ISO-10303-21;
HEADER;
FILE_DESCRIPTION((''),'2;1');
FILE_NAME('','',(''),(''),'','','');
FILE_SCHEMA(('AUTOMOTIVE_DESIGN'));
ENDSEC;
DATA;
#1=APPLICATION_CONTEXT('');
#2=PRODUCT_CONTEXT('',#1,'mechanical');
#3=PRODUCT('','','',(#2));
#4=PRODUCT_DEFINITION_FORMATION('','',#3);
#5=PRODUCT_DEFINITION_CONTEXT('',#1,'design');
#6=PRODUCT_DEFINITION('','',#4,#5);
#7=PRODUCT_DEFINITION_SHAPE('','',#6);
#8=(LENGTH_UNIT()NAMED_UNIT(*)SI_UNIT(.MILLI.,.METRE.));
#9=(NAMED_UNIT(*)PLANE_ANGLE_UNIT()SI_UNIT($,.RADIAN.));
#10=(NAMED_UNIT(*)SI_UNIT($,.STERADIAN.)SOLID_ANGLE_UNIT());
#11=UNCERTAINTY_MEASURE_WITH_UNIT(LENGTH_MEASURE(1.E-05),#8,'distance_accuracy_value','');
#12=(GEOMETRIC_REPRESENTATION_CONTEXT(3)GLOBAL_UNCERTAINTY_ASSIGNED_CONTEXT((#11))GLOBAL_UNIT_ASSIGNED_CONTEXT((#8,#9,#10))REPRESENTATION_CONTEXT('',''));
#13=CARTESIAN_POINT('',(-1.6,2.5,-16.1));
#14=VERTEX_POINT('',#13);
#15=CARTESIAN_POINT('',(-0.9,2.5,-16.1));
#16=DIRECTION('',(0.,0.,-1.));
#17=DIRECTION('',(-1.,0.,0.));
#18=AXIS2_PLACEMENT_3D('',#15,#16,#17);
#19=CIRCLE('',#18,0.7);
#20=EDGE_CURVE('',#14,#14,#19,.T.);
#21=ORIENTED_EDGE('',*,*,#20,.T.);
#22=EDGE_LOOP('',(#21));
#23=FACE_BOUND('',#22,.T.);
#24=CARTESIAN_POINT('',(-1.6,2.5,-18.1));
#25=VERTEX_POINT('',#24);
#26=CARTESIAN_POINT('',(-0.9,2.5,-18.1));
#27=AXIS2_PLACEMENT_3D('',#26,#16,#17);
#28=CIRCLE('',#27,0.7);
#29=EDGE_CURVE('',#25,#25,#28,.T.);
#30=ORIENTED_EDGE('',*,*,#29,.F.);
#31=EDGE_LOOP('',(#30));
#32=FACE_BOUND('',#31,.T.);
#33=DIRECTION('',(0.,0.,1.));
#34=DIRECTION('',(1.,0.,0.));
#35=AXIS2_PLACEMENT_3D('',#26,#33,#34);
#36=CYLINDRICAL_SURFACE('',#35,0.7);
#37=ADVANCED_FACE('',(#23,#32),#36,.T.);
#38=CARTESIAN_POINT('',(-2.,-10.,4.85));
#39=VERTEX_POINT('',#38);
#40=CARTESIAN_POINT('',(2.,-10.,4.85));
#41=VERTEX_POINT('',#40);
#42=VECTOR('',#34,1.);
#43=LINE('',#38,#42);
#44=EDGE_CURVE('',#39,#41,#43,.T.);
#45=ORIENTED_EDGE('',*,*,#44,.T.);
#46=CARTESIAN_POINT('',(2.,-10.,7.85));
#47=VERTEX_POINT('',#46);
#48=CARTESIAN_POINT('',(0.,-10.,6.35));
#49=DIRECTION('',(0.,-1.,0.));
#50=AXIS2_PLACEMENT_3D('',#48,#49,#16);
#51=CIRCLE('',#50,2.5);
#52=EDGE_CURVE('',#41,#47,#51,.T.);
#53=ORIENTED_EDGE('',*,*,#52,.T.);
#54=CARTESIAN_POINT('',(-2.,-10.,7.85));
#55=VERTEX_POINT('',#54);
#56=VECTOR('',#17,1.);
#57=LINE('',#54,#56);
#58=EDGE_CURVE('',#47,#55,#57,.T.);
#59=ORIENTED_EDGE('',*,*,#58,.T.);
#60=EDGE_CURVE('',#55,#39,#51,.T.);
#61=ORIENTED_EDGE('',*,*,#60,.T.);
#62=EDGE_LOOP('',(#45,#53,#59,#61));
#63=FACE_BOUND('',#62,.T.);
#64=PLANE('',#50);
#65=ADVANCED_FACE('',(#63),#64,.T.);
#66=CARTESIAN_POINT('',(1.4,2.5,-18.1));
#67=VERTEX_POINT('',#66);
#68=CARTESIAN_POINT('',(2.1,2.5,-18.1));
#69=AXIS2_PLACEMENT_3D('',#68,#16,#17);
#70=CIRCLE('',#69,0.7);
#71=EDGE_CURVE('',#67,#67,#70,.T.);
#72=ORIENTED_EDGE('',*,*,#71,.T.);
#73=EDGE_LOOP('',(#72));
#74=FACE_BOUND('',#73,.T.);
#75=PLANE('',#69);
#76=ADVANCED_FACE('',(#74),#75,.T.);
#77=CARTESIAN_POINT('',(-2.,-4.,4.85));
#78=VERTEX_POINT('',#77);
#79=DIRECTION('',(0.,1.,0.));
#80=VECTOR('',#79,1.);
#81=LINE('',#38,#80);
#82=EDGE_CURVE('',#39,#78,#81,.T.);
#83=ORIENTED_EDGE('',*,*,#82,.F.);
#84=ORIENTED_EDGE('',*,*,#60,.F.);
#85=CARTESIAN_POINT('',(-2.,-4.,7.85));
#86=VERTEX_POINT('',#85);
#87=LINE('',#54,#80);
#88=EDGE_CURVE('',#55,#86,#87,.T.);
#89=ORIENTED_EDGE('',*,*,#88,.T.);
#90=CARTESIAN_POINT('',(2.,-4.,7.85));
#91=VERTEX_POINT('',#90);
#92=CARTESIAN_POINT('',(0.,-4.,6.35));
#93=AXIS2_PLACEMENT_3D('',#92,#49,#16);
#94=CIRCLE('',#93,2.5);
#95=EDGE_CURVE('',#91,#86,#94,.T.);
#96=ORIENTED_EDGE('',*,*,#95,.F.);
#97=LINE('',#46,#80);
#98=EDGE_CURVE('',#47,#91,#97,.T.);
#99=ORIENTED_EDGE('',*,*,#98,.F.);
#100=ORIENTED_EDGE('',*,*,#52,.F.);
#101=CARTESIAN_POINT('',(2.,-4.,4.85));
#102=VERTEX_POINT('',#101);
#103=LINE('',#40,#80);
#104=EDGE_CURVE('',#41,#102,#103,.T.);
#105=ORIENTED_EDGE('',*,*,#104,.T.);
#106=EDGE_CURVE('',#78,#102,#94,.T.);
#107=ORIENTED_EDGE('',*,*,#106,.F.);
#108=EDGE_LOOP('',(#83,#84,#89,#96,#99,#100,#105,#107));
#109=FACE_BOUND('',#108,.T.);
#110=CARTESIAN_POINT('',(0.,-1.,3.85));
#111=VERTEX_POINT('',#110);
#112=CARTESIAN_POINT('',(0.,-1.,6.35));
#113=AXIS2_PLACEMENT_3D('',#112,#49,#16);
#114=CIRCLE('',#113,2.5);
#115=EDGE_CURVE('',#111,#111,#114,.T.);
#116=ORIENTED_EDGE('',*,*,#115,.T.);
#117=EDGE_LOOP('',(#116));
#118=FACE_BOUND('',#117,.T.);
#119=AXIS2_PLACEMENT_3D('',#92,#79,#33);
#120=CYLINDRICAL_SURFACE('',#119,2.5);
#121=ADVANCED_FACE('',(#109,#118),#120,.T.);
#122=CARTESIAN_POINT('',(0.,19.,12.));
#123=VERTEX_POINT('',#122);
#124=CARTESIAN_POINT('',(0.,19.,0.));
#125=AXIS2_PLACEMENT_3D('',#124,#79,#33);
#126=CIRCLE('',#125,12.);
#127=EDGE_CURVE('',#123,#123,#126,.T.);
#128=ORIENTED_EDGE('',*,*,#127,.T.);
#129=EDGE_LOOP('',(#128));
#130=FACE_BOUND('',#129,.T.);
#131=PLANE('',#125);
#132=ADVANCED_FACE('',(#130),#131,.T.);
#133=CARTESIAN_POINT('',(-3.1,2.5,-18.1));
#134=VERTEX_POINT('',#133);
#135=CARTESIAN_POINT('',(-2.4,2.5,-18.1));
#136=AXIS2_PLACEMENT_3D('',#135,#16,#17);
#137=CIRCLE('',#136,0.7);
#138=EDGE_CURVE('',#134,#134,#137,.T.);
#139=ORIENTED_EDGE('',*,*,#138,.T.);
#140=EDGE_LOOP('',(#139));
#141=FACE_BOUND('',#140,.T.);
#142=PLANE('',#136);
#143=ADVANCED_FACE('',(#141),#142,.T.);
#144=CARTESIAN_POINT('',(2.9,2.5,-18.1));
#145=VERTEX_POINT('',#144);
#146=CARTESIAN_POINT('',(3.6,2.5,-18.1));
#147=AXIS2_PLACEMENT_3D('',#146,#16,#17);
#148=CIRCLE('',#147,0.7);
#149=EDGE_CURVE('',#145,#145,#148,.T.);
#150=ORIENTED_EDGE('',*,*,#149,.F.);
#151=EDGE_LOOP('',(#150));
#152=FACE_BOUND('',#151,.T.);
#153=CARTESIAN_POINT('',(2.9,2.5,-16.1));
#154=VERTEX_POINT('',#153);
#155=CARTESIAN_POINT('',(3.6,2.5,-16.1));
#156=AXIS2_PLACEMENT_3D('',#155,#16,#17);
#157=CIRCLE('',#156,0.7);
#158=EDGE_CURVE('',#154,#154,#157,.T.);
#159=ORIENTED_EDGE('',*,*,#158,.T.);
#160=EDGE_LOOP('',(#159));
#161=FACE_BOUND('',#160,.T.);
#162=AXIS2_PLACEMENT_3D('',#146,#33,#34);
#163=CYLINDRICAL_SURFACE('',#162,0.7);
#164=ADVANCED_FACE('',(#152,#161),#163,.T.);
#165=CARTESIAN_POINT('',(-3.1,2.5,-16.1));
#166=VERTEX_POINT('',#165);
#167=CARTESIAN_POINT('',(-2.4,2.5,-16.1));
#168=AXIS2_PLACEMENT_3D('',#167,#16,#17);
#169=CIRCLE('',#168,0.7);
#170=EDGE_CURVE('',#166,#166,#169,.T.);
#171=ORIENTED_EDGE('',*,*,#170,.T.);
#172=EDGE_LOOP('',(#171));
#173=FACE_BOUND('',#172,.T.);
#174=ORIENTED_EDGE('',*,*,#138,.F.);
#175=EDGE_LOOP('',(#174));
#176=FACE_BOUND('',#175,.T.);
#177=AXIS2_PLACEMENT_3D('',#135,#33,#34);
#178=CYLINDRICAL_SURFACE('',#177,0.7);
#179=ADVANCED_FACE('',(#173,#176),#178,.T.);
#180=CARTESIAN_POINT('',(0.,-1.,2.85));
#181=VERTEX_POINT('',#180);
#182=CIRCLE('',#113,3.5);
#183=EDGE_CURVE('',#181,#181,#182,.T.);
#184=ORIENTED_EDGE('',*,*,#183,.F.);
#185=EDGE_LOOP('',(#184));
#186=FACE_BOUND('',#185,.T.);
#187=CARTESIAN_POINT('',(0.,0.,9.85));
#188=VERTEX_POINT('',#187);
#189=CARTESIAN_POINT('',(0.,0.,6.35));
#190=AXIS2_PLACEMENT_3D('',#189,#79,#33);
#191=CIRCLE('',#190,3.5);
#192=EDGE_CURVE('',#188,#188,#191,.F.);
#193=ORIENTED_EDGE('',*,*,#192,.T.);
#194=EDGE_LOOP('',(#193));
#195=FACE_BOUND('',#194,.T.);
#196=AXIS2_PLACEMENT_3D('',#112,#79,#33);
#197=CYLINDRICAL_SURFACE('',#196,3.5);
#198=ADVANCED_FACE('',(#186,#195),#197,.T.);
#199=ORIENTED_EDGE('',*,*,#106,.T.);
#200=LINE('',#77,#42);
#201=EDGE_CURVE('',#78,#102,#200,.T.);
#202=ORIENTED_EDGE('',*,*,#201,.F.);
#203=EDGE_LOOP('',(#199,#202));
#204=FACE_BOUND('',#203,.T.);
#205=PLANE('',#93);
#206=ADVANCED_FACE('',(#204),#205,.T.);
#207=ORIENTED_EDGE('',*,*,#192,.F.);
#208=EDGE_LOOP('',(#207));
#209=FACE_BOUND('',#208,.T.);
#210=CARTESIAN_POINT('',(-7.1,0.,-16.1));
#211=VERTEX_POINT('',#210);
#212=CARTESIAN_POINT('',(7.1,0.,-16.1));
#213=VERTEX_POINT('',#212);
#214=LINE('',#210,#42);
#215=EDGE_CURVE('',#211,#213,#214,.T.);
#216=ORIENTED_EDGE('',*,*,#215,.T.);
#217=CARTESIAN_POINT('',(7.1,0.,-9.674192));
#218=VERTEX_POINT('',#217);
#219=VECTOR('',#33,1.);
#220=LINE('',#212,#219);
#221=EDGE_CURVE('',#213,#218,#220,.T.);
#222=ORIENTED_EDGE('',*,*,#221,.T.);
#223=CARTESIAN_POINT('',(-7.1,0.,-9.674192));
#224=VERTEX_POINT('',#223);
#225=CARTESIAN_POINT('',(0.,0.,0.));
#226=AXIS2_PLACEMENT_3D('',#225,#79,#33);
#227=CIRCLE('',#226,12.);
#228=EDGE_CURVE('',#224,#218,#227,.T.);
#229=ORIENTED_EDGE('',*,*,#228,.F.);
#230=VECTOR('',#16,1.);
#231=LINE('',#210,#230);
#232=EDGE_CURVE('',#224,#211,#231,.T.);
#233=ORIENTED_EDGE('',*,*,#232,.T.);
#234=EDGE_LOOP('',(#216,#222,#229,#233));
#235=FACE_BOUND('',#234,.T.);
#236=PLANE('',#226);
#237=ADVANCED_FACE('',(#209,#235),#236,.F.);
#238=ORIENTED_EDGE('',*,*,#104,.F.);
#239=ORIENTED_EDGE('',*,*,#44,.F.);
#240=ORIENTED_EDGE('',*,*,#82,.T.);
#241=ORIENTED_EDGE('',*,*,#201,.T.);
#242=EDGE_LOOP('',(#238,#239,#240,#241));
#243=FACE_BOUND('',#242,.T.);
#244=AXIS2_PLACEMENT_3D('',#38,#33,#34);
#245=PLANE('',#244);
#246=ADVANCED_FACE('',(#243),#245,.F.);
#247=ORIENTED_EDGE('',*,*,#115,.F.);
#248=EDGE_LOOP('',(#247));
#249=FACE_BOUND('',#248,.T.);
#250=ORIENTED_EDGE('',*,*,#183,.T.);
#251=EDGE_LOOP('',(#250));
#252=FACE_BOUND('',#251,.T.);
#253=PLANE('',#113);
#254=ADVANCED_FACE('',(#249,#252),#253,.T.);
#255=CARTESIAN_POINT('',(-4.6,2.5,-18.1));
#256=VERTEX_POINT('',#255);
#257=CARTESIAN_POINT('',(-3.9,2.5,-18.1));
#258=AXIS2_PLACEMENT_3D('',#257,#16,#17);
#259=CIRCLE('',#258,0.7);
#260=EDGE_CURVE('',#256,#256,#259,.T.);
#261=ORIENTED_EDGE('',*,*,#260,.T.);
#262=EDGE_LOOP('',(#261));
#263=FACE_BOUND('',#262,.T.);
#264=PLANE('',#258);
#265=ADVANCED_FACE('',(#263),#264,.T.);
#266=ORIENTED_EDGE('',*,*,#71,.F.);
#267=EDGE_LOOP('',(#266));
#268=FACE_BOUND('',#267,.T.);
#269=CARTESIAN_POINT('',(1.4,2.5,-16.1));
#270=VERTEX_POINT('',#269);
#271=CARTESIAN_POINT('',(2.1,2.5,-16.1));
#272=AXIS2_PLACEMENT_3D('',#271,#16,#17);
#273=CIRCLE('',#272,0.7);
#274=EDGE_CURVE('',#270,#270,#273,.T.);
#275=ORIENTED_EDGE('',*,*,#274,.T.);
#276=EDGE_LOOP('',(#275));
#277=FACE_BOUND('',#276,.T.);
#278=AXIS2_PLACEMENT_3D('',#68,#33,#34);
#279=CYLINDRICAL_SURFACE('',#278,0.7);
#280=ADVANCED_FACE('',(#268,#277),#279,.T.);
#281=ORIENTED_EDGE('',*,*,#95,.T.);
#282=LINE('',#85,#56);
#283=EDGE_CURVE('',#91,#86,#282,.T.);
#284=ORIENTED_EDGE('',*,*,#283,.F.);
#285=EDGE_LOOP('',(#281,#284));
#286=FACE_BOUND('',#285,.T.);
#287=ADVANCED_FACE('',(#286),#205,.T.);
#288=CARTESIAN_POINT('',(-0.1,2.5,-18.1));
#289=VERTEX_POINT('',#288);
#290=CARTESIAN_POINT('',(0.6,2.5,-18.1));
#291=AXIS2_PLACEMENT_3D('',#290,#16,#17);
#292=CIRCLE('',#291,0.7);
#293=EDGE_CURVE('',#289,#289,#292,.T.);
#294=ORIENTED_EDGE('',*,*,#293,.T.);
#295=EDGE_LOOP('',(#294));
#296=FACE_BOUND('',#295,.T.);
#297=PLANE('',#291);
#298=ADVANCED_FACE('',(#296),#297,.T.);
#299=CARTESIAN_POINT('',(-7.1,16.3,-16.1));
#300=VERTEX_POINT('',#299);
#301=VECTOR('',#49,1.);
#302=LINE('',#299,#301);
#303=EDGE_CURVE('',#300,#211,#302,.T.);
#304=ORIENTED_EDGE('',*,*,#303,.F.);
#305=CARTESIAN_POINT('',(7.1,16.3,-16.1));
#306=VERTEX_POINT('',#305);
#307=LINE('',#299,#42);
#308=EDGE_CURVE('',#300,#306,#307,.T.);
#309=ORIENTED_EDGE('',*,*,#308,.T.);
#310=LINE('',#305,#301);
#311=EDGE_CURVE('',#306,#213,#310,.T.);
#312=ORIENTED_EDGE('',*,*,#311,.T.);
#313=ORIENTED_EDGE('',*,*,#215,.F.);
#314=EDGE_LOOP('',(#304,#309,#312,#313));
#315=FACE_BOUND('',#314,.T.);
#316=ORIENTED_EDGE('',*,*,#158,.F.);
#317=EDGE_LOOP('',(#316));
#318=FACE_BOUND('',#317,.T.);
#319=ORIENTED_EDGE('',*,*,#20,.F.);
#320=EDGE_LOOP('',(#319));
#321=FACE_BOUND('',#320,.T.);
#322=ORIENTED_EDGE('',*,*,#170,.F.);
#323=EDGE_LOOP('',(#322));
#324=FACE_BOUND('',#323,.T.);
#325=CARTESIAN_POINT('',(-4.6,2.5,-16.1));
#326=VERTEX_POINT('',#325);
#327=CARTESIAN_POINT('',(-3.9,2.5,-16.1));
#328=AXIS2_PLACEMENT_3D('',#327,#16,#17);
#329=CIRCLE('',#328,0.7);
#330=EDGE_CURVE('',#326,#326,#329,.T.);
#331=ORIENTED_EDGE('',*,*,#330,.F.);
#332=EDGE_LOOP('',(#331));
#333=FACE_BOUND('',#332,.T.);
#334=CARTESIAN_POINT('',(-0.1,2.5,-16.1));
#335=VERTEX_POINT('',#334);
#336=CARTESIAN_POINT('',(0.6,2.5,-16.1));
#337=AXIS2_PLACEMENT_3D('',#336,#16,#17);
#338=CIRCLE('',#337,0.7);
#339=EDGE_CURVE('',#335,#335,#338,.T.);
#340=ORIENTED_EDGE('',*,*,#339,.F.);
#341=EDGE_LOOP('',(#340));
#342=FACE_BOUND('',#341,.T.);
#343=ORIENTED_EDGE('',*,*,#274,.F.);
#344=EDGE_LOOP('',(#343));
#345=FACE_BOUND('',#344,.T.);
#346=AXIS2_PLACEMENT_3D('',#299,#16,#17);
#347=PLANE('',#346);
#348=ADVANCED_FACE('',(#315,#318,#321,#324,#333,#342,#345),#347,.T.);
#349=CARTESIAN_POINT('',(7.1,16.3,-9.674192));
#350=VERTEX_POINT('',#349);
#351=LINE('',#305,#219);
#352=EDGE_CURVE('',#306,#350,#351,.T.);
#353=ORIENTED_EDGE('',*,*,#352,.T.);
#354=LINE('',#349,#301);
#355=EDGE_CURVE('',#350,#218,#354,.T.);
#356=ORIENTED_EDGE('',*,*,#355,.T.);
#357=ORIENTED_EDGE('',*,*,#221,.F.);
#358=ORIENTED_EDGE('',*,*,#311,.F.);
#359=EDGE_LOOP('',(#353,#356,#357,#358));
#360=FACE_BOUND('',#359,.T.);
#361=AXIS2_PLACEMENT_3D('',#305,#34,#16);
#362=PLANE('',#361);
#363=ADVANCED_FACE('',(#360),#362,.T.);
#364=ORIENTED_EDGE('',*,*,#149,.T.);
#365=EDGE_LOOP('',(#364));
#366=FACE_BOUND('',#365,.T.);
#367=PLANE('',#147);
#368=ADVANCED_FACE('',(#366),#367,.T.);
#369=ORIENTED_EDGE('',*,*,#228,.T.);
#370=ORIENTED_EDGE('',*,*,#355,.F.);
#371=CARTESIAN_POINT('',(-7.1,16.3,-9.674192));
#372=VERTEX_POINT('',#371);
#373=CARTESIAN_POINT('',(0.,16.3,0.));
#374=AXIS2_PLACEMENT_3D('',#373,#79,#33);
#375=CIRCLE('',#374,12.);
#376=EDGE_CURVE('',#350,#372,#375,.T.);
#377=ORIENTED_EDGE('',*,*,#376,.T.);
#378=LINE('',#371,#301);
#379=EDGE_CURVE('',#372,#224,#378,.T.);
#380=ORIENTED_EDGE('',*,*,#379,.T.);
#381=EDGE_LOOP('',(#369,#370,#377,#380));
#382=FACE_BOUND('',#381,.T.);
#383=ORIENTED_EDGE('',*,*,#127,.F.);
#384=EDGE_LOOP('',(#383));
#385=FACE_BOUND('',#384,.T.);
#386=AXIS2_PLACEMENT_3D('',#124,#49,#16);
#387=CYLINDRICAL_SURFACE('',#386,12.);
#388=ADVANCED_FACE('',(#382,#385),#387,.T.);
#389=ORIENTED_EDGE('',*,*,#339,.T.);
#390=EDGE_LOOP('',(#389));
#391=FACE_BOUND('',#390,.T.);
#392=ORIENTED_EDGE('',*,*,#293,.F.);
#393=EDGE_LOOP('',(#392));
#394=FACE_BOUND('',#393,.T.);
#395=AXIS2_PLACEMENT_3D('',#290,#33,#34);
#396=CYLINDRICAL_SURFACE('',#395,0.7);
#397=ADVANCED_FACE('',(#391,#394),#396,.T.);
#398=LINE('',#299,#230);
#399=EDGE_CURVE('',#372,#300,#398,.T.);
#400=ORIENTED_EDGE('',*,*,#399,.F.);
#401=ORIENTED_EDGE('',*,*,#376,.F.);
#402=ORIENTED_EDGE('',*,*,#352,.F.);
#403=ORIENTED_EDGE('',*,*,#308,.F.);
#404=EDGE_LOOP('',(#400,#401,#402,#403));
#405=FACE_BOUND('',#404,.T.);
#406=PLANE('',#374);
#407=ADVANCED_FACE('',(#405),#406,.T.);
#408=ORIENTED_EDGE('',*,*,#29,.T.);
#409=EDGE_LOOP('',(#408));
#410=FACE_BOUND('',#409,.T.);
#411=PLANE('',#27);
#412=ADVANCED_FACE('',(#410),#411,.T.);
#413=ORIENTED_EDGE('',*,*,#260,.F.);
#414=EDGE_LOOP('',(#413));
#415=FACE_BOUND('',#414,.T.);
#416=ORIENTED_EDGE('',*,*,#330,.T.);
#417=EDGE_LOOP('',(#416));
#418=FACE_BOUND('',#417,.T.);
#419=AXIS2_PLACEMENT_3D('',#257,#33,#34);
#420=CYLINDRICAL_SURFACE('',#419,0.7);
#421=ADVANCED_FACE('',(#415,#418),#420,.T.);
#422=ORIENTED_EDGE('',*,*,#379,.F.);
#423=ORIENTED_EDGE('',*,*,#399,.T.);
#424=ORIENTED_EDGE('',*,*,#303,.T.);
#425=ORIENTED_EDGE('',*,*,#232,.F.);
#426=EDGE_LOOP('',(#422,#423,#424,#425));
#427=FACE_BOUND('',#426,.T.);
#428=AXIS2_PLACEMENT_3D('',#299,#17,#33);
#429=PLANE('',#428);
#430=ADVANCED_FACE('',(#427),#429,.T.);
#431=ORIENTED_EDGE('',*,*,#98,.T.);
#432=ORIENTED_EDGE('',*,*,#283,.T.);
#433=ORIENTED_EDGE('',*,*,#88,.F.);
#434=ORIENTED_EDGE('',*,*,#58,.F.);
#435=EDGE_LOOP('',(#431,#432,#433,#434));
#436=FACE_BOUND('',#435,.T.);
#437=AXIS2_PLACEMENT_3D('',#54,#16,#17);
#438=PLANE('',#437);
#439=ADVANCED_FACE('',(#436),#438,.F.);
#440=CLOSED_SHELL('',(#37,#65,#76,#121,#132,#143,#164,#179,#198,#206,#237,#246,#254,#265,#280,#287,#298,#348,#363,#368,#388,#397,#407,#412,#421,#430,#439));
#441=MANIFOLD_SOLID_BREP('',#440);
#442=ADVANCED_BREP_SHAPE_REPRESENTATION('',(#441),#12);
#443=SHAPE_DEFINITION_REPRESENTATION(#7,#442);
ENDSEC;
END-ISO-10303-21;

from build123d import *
from build123d.topology import SkipClean

# Parameters (mm, degrees)
SKETCH_1_R      = 12
EXTRUDE_1_DEPTH = 19
SKETCH_2_W      = 14.2
SKETCH_2_H      = 6.425807527
EXTRUDE_2_DEPTH = 16.3
SKETCH_3_R      = 3.5
EXTRUDE_3_DEPTH = 1
SKETCH_4_R      = 2.5
EXTRUDE_4_DEPTH = 3
EXTRUDE_5_DEPTH = 6
SKETCH_6_R      = 0.7
EXTRUDE_6_DEPTH = 2


with BuildPart() as part:
    # 草图1 → 凸台-拉伸1 (new body)
    with BuildSketch(Plane(origin=(0, 0, 0), x_dir=(1, 0, 0), z_dir=(0, 1, 0))):
        with Locations(Location((0, 0, 0), (0, 0, 270))):
            Circle(SKETCH_1_R)
    extrude(amount=EXTRUDE_1_DEPTH)

    # 草图2 → 凸台-拉伸2 (add)
    with BuildSketch(Plane.XZ):
        with Locations((0, -12.887096236)):
            Rectangle(SKETCH_2_W, SKETCH_2_H)
    extrude(amount=-EXTRUDE_2_DEPTH)

    # 草图3 → 凸台-拉伸3 (add)
    with BuildSketch(Plane.XZ):
        with Locations(Location((0, 6.35, 0), (0, 0, 90))):
            Circle(SKETCH_3_R)
    extrude(amount=EXTRUDE_3_DEPTH)

    # 草图4 → 凸台-拉伸4 (add)
    with BuildSketch(Plane.XZ.offset(1)):
        with Locations(Location((0, 6.35, 0), (0, 0, 270))):
            Circle(SKETCH_4_R)
    extrude(amount=EXTRUDE_4_DEPTH)

    # 草图5 → 凸台-拉伸5 (add)
    with SkipClean():  # the faces are left unmerged after this step: merging them gives an invalid solid
        with BuildSketch(Plane.XZ.offset(4)):
            with BuildLine():
                Line((-2, 7.85), (2, 7.85))
                ThreePointArc((2, 7.85), (2.5, 6.35), (2, 4.85))
                Line((2, 4.85), (-2, 4.85))
                ThreePointArc((-2, 4.85), (-2.5, 6.35), (-2, 7.85))
            make_face()
        extrude(amount=EXTRUDE_5_DEPTH)

    # 草图6 → 凸台-拉伸6 (add)
    with SkipClean():  # the faces are left unmerged after this step: merging them gives an invalid solid
        with BuildSketch(Plane(origin=(0, 0, -16.1), x_dir=(-1, 0, 0), z_dir=(0, 0, -1))):
            with Locations((-3.6, 2.5)):
                Circle(SKETCH_6_R)
            with Locations((-2.1, 2.5)):
                Circle(SKETCH_6_R)
            with Locations((-0.6, 2.5)):
                Circle(SKETCH_6_R)
            with Locations((0.9, 2.5)):
                Circle(SKETCH_6_R)
            with Locations((2.4, 2.5)):
                Circle(SKETCH_6_R)
            with Locations((3.9, 2.5)):
                Circle(SKETCH_6_R)
        extrude(amount=EXTRUDE_6_DEPTH)


solid = part.part
